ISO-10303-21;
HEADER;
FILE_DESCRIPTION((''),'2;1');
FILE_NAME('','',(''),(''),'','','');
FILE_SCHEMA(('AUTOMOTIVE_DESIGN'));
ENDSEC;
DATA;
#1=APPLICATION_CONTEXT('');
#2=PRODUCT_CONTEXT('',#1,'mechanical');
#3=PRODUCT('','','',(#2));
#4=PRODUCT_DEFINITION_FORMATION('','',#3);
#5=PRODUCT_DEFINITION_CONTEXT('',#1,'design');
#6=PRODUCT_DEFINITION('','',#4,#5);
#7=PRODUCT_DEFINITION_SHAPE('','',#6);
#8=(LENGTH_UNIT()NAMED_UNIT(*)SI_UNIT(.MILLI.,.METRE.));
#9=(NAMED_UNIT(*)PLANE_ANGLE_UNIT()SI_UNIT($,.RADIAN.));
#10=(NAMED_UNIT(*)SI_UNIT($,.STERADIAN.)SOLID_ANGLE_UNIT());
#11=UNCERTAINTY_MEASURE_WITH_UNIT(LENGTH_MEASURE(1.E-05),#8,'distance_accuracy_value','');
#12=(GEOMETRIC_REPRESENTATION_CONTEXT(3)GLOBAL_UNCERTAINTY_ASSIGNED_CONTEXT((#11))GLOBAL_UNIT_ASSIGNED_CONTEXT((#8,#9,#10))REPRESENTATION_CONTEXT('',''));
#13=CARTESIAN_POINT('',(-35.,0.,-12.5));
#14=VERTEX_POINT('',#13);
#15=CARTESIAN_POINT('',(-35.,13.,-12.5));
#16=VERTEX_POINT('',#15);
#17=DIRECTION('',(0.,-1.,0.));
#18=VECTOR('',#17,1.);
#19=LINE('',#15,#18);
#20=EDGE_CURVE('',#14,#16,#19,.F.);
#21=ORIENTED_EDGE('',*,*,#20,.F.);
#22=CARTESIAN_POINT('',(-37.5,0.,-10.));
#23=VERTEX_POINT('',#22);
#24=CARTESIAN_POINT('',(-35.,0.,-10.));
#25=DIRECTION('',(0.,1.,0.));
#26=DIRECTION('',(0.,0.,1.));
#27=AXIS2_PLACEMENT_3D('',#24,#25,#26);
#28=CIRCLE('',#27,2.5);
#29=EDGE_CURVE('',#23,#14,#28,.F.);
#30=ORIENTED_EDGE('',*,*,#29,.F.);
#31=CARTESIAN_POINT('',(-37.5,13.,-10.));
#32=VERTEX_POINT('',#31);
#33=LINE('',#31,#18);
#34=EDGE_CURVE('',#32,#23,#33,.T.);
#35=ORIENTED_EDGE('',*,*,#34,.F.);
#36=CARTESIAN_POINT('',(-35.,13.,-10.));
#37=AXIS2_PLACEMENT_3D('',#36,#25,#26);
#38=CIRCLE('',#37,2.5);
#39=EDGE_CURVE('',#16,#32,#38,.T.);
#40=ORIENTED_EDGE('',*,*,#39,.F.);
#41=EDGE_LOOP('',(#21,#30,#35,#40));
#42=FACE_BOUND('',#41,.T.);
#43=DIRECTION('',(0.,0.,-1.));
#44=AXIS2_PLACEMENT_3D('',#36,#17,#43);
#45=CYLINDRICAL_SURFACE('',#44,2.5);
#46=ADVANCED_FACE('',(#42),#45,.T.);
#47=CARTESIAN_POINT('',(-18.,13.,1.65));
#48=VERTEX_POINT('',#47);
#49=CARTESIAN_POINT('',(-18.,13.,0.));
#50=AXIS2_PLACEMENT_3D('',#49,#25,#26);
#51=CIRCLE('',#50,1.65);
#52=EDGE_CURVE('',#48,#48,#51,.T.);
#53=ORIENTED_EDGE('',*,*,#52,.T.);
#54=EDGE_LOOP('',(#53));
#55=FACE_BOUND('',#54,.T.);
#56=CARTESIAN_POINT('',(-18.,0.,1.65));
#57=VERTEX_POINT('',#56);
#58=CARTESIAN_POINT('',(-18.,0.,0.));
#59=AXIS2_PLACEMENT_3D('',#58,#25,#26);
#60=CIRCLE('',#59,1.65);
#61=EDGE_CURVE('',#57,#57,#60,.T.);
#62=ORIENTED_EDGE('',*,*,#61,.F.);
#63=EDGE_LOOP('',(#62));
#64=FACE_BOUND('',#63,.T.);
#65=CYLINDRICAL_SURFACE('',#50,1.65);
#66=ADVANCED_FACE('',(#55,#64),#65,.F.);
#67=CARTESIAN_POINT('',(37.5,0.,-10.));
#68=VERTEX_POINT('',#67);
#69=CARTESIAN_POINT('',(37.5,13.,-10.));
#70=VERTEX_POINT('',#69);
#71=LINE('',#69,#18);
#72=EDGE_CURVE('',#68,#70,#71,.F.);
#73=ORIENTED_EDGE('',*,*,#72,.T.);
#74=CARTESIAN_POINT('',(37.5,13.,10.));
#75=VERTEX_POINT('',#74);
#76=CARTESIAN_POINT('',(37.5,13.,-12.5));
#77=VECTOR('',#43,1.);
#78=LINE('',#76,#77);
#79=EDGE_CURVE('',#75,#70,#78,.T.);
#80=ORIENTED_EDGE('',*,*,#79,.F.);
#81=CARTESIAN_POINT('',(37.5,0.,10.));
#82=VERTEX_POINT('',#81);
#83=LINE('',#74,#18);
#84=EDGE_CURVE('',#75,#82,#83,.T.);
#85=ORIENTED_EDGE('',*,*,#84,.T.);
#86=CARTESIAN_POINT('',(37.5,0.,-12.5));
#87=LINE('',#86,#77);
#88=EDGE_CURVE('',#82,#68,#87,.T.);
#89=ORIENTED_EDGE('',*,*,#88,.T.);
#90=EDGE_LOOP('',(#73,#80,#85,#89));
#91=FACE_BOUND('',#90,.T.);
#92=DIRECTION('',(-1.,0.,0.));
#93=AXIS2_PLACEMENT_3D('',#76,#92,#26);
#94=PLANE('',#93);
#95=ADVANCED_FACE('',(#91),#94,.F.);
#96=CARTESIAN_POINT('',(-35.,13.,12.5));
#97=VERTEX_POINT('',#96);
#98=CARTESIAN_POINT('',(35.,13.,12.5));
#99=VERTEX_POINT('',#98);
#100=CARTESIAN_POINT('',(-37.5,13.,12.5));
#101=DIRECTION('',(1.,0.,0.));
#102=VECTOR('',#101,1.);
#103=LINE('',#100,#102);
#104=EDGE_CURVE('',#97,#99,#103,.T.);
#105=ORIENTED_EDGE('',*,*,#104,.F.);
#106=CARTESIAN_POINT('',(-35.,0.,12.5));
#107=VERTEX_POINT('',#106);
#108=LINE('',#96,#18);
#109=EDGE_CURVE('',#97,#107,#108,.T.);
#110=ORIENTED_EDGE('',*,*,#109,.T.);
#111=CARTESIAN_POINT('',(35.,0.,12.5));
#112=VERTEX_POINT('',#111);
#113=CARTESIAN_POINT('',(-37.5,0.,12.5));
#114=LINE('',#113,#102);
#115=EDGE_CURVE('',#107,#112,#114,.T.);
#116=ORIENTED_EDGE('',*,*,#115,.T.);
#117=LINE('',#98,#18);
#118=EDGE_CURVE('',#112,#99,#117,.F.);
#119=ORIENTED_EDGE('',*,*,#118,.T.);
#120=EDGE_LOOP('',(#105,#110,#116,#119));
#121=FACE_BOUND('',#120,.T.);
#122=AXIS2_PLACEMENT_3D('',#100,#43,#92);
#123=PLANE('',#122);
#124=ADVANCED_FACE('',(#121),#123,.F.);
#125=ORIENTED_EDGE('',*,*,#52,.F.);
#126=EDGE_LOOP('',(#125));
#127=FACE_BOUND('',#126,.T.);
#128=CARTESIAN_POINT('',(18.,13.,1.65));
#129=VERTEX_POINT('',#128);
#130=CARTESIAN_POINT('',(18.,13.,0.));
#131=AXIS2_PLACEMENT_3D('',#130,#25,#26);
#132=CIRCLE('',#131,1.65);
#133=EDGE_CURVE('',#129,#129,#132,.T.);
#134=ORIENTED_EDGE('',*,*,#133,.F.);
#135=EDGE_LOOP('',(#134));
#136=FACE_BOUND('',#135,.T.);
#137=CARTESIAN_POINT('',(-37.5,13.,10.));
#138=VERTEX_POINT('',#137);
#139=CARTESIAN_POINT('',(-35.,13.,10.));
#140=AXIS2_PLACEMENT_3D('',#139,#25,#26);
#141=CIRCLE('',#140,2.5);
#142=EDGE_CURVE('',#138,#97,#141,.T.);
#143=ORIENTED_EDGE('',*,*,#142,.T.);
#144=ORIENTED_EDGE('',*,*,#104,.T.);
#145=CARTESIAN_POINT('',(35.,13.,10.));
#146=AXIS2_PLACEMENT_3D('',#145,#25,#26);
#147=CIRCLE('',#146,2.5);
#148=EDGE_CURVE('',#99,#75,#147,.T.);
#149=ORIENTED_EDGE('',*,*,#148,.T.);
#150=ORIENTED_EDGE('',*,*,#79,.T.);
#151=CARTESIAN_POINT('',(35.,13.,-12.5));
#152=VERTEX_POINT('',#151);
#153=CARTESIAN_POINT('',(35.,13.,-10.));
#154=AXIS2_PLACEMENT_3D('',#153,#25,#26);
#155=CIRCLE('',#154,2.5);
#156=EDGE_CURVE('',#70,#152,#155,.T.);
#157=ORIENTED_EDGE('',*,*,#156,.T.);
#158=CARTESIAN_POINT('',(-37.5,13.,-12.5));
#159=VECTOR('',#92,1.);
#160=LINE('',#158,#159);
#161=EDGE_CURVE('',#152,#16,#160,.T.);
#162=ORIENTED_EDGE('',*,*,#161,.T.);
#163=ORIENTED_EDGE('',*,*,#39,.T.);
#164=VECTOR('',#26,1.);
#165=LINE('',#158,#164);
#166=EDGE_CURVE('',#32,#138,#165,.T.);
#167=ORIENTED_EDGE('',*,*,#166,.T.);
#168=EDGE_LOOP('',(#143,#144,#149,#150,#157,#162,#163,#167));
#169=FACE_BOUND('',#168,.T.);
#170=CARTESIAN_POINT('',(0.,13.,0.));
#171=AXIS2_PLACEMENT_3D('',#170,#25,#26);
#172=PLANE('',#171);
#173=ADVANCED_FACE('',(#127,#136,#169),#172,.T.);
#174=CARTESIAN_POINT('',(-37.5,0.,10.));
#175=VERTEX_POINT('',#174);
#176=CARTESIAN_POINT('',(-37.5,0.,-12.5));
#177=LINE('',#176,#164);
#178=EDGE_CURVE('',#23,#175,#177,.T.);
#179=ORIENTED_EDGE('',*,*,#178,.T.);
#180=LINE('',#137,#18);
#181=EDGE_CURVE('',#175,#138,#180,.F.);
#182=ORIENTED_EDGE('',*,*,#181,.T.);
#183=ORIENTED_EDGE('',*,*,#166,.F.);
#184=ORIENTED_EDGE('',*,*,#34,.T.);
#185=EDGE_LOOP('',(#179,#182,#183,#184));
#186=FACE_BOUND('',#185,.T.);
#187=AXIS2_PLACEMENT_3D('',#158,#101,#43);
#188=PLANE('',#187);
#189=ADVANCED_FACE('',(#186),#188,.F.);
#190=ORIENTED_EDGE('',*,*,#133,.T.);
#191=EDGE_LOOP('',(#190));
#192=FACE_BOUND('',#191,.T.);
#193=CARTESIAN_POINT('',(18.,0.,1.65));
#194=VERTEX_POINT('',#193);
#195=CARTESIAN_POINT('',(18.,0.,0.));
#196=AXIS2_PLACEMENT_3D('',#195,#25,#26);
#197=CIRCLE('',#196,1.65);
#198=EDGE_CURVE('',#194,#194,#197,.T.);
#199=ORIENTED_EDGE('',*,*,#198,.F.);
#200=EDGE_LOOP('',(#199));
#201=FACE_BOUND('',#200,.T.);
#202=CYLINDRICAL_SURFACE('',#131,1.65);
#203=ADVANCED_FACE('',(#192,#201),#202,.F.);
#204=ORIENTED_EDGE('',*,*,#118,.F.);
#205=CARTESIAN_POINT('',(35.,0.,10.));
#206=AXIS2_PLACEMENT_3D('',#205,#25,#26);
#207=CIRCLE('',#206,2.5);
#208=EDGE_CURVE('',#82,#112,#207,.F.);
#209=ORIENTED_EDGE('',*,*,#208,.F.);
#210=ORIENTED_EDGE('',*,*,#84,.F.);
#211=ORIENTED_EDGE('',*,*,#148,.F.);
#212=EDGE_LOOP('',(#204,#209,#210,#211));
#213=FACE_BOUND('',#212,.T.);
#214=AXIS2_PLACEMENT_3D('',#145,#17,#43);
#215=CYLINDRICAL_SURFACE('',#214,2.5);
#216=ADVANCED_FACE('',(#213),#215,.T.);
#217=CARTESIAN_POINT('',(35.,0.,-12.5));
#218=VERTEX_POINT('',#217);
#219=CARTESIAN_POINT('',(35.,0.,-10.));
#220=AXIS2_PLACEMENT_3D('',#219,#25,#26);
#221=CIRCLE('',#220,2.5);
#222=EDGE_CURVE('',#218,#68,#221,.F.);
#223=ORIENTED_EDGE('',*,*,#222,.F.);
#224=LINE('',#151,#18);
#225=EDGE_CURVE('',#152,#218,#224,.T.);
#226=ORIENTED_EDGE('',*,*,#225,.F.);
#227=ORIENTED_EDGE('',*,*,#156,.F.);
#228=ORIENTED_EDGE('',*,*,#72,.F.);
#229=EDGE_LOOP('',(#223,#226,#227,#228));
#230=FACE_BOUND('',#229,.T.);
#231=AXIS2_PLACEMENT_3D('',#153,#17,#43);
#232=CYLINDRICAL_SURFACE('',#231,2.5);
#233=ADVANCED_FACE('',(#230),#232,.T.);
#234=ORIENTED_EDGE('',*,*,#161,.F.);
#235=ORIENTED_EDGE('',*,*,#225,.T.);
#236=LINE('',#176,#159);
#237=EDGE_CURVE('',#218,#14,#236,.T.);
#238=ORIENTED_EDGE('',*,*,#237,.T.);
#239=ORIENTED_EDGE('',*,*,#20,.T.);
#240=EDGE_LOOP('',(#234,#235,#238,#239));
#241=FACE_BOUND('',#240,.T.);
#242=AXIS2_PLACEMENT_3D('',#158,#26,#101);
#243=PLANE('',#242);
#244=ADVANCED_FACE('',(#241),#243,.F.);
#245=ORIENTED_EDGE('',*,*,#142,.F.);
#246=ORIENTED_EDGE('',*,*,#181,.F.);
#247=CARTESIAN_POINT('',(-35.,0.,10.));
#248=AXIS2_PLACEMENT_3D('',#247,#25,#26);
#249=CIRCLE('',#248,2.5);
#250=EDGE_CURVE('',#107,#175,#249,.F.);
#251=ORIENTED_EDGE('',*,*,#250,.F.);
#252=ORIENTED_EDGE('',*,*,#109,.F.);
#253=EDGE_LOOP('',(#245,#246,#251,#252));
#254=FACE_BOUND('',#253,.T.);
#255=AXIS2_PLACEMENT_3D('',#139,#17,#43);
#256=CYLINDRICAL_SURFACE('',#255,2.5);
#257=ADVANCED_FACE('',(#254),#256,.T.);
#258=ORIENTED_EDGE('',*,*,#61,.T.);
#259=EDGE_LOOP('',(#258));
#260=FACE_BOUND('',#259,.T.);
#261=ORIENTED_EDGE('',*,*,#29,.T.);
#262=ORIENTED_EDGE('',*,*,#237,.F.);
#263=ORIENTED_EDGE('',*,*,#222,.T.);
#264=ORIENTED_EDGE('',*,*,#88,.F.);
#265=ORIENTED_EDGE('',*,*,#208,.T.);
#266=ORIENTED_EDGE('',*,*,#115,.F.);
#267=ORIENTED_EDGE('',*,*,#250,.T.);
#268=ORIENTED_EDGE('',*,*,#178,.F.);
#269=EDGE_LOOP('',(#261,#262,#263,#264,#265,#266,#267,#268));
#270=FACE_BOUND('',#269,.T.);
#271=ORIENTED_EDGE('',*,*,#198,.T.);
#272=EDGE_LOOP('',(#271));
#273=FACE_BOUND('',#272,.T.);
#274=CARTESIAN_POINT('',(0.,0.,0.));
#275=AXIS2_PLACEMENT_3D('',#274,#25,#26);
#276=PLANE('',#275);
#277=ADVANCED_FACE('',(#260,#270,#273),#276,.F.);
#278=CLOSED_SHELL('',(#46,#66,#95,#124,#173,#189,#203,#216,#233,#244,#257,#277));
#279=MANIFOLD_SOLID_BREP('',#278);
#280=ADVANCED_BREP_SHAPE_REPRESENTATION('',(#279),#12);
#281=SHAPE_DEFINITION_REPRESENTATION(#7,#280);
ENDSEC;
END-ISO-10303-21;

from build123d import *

# Parameters (mm, degrees)
SKETCH1_W                   = 75
SKETCH1_H                   = 25
BOSS_EXTRUDE1_DEPTH         = 13
TAP_DRILL_FOR_M4X0_7_TAP1_D = 3.3
FILLET1_R                   = 2.5


with BuildPart() as part:
    # Sketch1 → Boss-Extrude1 (new body)
    with BuildSketch(Plane(origin=(0, 0, 0), x_dir=(1, 0, 0), z_dir=(0, 1, 0))):
        Rectangle(SKETCH1_W, SKETCH1_H)
    extrude(amount=BOSS_EXTRUDE1_DEPTH)

    # Tap Drill for M4x0.7 Tap1 (through all)
    with Locations(Plane(origin=(0, 13, 0), x_dir=(1, 0, 0), z_dir=(0, 1, 0))):
        with Locations((-18, 0), (18, 0)):
            Hole(TAP_DRILL_FOR_M4X0_7_TAP1_D / 2)

    # Fillet1
    fillet1_edges = [part.edges().sort_by_distance(p)[0] for p in [
        (37.5, 6.5, 12.5),
        (-37.5, 6.5, 12.5),
        (-37.5, 6.5, -12.5),
        (37.5, 6.5, -12.5),
    ]]
    fillet(fillet1_edges, radius=FILLET1_R)


solid = part.part
